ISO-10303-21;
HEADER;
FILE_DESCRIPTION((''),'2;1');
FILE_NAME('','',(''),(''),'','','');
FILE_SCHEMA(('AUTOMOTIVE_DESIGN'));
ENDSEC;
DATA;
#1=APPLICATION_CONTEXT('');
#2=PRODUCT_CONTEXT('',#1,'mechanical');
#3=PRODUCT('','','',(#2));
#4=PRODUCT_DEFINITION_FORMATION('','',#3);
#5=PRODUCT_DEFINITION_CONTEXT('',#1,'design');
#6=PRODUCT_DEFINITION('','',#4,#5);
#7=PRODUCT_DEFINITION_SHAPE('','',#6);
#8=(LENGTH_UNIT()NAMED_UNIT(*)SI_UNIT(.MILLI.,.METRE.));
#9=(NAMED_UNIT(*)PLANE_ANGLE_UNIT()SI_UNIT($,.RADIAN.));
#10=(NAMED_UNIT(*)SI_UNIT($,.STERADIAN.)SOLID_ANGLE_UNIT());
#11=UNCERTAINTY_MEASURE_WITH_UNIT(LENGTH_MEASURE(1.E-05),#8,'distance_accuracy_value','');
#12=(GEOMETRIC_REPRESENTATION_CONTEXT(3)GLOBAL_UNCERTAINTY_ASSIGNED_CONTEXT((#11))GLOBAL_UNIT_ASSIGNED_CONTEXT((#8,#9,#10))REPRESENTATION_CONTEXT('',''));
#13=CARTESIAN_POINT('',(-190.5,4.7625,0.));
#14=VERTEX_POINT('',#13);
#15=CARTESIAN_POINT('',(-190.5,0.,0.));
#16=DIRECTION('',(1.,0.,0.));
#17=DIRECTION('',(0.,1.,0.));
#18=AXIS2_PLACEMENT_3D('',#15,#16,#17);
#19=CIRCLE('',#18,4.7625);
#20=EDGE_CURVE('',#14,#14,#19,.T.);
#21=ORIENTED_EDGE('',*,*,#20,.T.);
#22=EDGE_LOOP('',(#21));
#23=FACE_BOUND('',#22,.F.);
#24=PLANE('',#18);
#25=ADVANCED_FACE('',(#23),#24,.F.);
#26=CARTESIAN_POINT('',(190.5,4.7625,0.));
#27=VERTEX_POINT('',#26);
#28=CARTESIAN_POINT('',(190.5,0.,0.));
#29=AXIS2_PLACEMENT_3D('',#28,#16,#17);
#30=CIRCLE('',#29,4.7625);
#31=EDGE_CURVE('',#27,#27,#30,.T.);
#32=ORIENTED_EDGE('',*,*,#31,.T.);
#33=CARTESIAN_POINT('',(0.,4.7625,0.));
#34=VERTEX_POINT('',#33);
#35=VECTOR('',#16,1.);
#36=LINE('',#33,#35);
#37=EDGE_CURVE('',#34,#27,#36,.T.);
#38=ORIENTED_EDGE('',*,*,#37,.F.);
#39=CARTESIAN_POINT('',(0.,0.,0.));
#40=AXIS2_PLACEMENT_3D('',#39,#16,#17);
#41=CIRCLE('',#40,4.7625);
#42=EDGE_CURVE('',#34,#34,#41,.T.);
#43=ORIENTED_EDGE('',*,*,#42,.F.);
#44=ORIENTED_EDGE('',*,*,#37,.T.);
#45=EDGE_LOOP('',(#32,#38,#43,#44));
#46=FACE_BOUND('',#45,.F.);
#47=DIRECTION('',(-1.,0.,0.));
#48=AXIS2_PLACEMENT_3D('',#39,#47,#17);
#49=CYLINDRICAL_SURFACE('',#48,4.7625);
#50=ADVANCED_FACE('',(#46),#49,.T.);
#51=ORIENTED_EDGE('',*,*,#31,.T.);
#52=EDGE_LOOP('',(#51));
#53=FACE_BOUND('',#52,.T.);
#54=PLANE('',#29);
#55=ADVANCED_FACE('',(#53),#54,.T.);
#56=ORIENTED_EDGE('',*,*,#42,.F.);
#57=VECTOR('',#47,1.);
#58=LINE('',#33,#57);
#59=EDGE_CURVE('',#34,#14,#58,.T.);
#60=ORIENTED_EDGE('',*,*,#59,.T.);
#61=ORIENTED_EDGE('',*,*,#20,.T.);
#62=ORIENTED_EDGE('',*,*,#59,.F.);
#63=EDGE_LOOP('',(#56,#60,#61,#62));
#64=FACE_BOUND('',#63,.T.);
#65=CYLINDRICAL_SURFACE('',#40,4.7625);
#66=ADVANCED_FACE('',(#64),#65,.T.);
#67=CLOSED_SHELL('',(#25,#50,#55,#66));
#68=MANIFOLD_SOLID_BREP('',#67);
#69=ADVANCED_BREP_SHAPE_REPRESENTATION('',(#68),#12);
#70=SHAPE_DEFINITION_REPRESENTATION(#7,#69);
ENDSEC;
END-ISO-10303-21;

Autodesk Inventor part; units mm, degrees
ref_plane "YZ Plane" through (0, 0, 0) normal (1, 0, 0) x (0, 1, 0)
ref_plane "XZ Plane" through (0, 0, 0) normal (0, 1, 0) x (-1, 0, 0)
ref_plane "XY Plane" through (0, 0, 0) normal (0, 0, 1) x (1, 0, 0)
sketch "Sketch2" plane through (0, 0, 0) normal (1, 0, 0) x (0, 1, 0)
  circle A0 centre (0, 0) radius 4.7625
  dimension "d1" = 9.525
extrude "Extrusion1" add sketch "Sketch2" along normal mid plane 381
equation "\"d1\" = axelDiam"
equation "\"d2\" = axelLength"
equation "\"axelDiam\" = 9.525"
equation "\"axelLength\" = 381"
properties part number "AluminumRodForShooter" material "Aluminum 6061"
